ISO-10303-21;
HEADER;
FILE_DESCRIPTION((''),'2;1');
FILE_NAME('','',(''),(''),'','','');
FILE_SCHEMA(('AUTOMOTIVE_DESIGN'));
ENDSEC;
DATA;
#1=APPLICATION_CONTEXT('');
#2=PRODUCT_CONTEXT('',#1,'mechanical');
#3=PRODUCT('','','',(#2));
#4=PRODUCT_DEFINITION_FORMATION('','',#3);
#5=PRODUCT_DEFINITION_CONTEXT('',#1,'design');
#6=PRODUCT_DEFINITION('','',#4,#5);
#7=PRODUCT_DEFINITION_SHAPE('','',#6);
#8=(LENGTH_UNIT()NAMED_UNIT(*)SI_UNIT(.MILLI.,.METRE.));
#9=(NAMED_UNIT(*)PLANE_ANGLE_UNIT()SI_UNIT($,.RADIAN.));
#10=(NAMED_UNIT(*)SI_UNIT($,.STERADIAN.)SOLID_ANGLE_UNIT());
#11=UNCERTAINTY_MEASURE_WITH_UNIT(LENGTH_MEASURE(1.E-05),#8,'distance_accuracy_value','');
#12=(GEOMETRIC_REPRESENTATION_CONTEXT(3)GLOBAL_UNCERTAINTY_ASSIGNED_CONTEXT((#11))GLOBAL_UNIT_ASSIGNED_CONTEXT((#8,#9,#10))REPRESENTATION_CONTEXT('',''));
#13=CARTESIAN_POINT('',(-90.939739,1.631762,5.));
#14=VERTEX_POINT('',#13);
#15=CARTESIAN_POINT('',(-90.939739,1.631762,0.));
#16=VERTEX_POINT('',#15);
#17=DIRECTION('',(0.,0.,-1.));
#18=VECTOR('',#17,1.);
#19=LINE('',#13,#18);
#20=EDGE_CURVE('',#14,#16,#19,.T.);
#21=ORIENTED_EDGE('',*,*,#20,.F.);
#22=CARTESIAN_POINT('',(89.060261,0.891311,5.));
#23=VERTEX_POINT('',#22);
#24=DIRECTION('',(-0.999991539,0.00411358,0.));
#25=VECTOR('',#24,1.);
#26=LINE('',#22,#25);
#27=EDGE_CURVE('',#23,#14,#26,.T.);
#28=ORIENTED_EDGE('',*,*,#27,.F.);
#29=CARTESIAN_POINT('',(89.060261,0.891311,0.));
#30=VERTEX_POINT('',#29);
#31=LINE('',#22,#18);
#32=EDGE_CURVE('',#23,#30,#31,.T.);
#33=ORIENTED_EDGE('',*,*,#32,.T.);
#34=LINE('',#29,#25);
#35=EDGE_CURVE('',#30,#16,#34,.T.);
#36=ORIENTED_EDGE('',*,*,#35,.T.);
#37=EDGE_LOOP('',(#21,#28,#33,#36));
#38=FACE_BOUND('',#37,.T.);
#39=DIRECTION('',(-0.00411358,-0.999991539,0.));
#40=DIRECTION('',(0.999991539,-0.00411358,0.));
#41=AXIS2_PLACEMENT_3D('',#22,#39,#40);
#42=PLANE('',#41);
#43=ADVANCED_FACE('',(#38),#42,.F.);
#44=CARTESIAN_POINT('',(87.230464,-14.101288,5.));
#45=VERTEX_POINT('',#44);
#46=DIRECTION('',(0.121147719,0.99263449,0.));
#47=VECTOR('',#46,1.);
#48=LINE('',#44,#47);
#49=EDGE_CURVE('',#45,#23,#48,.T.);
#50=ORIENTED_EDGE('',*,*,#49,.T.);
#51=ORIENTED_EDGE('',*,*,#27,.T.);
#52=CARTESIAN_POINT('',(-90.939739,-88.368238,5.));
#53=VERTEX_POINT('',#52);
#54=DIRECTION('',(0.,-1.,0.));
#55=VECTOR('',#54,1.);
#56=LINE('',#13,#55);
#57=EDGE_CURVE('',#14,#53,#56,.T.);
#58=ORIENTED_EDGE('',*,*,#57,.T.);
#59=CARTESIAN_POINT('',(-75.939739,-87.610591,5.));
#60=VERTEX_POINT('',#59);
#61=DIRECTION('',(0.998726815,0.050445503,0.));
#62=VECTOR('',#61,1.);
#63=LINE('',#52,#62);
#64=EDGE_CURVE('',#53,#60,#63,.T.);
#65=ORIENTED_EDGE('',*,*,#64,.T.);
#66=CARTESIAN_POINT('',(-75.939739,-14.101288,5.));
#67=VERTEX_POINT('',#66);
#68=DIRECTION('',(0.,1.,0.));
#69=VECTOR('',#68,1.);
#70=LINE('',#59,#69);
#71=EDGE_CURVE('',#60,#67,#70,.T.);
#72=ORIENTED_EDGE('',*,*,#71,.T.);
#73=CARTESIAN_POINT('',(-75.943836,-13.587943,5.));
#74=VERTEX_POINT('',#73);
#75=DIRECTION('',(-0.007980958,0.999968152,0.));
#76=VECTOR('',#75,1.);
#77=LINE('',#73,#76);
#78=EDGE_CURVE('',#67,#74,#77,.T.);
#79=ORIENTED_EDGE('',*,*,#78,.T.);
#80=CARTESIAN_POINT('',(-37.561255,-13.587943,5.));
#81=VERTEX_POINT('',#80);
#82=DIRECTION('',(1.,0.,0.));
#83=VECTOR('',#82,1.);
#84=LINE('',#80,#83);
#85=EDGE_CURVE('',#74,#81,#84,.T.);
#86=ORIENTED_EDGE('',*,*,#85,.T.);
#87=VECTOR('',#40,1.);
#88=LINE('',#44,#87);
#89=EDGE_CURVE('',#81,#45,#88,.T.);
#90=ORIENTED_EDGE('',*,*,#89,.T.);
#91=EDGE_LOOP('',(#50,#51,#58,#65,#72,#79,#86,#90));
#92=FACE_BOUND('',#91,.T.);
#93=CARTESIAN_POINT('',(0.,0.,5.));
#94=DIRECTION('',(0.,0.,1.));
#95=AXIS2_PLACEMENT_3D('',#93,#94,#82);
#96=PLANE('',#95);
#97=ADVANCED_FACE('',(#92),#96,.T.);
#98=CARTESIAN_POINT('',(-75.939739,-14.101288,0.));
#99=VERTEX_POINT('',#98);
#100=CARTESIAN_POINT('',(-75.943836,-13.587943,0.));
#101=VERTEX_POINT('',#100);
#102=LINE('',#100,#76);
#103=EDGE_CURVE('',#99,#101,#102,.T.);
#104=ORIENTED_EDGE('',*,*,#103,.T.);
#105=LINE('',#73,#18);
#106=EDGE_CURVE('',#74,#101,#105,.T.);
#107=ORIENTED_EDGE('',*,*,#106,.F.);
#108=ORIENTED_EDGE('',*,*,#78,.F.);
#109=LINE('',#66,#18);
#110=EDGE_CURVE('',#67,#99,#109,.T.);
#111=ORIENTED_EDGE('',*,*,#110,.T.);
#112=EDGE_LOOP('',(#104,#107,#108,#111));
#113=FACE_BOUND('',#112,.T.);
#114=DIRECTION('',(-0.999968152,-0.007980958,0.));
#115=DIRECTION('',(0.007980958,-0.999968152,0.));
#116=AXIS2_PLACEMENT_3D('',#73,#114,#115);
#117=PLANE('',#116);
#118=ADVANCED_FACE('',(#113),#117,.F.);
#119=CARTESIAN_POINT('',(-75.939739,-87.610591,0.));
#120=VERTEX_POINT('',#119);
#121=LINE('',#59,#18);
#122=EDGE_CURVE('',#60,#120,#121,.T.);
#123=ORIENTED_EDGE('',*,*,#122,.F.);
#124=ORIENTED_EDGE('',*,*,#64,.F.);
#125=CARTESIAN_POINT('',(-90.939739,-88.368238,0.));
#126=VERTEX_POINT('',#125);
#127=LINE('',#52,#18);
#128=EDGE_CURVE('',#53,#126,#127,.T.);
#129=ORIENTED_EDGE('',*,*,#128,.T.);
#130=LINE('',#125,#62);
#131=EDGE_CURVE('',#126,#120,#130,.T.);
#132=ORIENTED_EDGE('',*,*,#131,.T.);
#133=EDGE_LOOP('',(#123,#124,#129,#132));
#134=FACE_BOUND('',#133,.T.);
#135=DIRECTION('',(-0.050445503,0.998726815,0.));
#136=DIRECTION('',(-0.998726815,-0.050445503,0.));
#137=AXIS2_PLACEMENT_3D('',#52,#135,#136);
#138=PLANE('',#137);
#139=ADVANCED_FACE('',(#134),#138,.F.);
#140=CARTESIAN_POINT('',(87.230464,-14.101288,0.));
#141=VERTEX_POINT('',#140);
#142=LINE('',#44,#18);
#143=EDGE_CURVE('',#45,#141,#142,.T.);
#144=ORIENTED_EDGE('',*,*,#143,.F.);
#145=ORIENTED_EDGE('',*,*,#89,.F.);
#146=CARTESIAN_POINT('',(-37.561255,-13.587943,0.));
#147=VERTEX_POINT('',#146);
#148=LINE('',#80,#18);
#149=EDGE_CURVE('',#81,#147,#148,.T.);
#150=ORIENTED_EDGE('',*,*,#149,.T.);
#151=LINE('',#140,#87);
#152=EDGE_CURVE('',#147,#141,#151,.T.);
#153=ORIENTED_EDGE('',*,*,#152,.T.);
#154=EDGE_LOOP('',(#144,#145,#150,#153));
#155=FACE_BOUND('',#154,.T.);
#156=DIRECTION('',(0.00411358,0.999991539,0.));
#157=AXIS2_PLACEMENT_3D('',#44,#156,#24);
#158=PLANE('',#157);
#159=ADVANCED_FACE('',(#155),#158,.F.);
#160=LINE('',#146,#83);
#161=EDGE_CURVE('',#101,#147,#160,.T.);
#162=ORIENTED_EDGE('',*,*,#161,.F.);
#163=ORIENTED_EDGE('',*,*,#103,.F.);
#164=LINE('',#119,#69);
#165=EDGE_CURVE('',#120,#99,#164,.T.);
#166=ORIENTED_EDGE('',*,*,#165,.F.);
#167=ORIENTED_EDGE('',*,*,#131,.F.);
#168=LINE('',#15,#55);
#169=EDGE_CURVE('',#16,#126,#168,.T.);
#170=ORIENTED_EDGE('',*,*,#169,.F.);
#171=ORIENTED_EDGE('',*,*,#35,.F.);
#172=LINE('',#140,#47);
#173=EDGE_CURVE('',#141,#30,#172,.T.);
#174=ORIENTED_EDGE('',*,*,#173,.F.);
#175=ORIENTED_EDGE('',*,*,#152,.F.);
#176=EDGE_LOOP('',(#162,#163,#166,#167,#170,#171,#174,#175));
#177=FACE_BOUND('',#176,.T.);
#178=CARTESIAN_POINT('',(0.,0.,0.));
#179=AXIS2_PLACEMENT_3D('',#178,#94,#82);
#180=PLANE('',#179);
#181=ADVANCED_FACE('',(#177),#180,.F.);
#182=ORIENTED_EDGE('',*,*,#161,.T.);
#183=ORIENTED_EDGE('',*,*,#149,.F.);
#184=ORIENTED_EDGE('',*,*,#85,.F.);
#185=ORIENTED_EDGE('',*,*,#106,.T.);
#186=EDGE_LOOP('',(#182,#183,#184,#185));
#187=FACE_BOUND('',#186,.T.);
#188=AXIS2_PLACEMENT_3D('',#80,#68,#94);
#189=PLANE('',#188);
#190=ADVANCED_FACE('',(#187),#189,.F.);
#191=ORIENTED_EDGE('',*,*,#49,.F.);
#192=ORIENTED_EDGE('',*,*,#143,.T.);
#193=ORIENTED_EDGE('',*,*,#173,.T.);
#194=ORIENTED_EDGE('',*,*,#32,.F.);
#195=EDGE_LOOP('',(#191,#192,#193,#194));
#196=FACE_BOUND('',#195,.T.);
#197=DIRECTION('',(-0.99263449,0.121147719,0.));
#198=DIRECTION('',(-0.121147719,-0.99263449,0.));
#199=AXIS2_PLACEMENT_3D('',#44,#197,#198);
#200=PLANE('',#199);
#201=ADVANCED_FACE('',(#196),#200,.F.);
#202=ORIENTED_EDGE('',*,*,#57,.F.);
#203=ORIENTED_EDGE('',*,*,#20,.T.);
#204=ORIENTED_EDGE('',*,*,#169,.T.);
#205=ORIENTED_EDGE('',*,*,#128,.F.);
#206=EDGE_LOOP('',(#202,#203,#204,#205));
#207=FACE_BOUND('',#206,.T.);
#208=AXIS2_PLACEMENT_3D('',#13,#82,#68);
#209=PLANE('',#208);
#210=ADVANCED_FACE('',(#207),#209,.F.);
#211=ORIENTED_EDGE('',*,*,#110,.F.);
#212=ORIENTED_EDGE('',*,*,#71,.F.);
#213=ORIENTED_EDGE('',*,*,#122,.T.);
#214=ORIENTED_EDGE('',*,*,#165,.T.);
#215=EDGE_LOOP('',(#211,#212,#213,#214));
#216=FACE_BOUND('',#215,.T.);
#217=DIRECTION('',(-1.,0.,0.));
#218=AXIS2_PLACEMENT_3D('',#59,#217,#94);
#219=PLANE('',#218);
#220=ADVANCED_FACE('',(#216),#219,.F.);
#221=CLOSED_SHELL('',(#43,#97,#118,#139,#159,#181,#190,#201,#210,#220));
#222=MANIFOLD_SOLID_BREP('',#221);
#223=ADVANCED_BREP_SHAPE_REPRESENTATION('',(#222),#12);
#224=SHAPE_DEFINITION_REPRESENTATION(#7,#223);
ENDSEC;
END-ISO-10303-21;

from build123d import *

# Parameters (mm, degrees)
BOSS_EXTRU_1_DEPTH = 5


with BuildPart() as part:
    # Esquisse1 → Boss.-Extru.1 (new body)
    with BuildSketch(Plane.XY):
        Polygon((89.060260617, 0.891311355), (-90.939739383, 1.631762021), (-90.939739383, -88.368237979), (-75.939739383, -87.61059081), (-75.939739383, -14.101288479), (-75.943836498, -13.587943417), (-37.561254863, -13.587943417), (87.23046396, -14.101288479), align=None)
    extrude(amount=BOSS_EXTRU_1_DEPTH)


solid = part.part
